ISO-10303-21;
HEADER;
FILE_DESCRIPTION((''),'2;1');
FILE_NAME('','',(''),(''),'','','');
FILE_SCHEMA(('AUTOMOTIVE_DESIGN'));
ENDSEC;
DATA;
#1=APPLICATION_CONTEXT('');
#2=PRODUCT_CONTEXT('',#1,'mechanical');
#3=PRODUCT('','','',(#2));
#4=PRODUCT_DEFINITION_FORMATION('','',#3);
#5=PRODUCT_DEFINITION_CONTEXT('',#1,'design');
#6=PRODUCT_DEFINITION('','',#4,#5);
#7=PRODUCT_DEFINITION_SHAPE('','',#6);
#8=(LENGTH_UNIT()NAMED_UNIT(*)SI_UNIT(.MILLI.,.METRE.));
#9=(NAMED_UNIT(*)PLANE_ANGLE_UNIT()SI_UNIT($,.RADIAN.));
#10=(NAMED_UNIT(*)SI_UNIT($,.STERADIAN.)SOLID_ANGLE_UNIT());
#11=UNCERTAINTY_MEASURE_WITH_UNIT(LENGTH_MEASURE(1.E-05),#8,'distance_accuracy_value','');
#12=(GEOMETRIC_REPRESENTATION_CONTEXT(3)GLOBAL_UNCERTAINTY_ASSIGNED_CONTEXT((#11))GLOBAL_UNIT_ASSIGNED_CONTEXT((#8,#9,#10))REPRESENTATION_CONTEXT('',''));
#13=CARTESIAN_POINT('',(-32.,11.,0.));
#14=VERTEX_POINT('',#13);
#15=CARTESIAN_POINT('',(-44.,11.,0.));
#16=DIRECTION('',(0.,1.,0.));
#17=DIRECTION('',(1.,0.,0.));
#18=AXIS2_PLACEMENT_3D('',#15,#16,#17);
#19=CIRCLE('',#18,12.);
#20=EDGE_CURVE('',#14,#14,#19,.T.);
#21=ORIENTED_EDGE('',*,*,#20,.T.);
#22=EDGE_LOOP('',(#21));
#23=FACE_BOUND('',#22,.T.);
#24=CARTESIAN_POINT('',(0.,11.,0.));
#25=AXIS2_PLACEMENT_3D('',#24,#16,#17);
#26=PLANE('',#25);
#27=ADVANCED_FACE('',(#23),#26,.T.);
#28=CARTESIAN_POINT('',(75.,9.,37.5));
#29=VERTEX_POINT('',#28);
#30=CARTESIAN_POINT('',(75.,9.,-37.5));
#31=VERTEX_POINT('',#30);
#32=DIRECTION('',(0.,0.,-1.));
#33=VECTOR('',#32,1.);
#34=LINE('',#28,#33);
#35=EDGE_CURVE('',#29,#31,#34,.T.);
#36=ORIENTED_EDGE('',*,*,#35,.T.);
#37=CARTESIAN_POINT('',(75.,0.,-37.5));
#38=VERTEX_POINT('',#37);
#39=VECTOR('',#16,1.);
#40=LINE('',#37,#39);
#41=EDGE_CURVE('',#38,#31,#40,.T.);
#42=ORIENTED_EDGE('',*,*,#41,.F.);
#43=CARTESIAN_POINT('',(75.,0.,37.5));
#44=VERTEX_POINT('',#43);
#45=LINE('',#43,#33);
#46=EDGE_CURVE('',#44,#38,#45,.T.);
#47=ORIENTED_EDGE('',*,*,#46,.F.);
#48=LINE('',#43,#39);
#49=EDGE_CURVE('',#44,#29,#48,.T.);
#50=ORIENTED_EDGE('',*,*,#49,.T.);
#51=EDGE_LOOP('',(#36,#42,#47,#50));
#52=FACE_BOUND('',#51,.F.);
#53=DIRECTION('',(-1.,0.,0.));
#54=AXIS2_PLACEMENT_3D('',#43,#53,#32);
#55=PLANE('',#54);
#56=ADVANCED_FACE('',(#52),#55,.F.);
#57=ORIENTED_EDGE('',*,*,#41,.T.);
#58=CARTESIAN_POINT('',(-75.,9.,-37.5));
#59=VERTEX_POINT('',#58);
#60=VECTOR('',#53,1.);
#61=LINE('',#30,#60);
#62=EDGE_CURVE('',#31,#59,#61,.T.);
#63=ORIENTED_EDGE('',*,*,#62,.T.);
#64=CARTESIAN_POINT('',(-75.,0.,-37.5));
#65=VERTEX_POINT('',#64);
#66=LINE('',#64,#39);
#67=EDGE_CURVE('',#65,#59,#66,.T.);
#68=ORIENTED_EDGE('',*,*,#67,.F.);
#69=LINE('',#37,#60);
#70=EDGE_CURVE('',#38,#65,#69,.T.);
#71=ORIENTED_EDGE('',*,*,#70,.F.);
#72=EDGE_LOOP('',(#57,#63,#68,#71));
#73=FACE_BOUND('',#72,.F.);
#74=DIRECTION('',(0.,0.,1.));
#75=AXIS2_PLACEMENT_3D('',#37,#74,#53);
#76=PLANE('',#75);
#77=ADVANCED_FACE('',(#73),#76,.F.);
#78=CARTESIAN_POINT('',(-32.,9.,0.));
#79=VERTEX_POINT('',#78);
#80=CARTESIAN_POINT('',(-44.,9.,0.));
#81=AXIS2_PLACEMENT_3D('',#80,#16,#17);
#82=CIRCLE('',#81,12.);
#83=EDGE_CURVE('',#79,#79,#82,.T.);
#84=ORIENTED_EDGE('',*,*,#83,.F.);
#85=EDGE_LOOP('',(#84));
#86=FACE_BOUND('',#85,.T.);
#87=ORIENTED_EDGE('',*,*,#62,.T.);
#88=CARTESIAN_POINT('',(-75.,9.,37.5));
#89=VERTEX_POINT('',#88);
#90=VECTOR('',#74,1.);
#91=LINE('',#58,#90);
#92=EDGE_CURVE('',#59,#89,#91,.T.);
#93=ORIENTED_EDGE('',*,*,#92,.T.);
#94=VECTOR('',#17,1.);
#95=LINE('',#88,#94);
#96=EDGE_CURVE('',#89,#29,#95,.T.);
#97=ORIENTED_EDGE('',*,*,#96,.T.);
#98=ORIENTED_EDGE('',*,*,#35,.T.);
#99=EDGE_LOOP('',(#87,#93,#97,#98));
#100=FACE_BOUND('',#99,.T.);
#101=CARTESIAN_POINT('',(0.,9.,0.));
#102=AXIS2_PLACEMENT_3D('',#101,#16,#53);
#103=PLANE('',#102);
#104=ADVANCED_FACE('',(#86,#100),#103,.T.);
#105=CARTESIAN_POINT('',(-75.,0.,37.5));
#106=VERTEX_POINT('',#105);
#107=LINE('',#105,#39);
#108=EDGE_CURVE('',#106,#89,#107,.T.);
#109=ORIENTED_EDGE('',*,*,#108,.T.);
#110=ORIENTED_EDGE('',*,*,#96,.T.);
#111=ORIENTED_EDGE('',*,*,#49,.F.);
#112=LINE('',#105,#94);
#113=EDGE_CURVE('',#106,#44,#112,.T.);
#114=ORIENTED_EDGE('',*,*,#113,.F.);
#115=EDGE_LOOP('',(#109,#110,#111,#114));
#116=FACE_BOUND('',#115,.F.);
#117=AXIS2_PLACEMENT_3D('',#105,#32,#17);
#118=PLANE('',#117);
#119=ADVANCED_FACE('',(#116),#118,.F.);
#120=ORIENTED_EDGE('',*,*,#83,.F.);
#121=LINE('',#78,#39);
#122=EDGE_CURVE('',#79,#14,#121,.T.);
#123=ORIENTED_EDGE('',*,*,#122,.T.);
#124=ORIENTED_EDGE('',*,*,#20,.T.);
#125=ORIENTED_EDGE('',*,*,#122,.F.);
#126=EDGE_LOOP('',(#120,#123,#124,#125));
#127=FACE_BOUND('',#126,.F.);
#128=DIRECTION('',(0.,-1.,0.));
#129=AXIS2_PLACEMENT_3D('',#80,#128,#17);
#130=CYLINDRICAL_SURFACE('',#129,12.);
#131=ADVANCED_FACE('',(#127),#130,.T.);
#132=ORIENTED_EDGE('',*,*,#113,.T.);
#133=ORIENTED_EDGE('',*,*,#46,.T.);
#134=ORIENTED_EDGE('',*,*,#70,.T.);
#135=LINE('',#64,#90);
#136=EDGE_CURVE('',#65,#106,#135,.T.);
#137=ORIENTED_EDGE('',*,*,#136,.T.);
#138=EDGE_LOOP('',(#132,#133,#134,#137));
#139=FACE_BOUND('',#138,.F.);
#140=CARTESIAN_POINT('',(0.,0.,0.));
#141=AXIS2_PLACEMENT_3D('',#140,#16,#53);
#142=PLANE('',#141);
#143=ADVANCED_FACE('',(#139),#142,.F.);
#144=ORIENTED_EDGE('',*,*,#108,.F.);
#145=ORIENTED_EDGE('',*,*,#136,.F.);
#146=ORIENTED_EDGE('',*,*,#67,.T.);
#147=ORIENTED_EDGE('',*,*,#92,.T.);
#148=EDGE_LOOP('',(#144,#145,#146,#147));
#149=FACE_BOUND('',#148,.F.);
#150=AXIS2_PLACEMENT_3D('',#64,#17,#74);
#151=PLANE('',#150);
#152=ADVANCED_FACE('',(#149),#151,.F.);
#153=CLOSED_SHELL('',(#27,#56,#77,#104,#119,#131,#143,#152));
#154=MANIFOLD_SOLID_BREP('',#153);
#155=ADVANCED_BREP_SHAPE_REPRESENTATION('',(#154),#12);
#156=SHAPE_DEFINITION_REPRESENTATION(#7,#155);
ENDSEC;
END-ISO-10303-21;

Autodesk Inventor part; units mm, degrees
ref_plane "YZ Plane" through (0, 0, 0) normal (1, 0, 0) x (0, 1, 0)
ref_plane "XZ Plane" through (0, 0, 0) normal (0, 1, 0) x (-1, 0, 0)
ref_plane "XY Plane" through (0, 0, 0) normal (0, 0, 1) x (1, 0, 0)
sketch "Sketch1" plane through (0, 0, 0) normal (0, 1, 0) x (-1, 0, 0)
  line L0 (75, 37.5) -> (-75, 37.5)
  line L1 (-75, 37.5) -> (-75, -37.5)
  line L2 (-75, -37.5) -> (75, -37.5)
  line L3 (75, -37.5) -> (75, 37.5)
  point P0 (0, 0)
  dimension "d0" = 150
  dimension "d1" = 75
  dimension "d2" = 75
  dimension "d3" = 37.5
extrude "Extrusion1" add sketch "Sketch1" along normal blind 9
sketch "Sketch3" plane through (0, 9, 0) normal (0, 1, 0) x (1, 0, 0)
  line L0 (-75, -37.5) -> (75, -37.5) projected
  line L1 (75, -37.5) -> (75, 37.5) projected
  line L2 (75, 37.5) -> (-75, 37.5) projected
  line L3 (-75, 37.5) -> (-75, -37.5) projected
  circle A0 centre (-44, 0) radius 12
  point P0 (0, 0)
  dimension "d11" = 24
  dimension "d12" = 19
  dimension "d13" = 31
extrude "Extrusion3" add sketch "Sketch3" along normal blind 2 contours A0
equation "\"d2\" = 0.5 * d0"
equation "\"d3\" = 0.5 * d1"
properties part number "Phone"
